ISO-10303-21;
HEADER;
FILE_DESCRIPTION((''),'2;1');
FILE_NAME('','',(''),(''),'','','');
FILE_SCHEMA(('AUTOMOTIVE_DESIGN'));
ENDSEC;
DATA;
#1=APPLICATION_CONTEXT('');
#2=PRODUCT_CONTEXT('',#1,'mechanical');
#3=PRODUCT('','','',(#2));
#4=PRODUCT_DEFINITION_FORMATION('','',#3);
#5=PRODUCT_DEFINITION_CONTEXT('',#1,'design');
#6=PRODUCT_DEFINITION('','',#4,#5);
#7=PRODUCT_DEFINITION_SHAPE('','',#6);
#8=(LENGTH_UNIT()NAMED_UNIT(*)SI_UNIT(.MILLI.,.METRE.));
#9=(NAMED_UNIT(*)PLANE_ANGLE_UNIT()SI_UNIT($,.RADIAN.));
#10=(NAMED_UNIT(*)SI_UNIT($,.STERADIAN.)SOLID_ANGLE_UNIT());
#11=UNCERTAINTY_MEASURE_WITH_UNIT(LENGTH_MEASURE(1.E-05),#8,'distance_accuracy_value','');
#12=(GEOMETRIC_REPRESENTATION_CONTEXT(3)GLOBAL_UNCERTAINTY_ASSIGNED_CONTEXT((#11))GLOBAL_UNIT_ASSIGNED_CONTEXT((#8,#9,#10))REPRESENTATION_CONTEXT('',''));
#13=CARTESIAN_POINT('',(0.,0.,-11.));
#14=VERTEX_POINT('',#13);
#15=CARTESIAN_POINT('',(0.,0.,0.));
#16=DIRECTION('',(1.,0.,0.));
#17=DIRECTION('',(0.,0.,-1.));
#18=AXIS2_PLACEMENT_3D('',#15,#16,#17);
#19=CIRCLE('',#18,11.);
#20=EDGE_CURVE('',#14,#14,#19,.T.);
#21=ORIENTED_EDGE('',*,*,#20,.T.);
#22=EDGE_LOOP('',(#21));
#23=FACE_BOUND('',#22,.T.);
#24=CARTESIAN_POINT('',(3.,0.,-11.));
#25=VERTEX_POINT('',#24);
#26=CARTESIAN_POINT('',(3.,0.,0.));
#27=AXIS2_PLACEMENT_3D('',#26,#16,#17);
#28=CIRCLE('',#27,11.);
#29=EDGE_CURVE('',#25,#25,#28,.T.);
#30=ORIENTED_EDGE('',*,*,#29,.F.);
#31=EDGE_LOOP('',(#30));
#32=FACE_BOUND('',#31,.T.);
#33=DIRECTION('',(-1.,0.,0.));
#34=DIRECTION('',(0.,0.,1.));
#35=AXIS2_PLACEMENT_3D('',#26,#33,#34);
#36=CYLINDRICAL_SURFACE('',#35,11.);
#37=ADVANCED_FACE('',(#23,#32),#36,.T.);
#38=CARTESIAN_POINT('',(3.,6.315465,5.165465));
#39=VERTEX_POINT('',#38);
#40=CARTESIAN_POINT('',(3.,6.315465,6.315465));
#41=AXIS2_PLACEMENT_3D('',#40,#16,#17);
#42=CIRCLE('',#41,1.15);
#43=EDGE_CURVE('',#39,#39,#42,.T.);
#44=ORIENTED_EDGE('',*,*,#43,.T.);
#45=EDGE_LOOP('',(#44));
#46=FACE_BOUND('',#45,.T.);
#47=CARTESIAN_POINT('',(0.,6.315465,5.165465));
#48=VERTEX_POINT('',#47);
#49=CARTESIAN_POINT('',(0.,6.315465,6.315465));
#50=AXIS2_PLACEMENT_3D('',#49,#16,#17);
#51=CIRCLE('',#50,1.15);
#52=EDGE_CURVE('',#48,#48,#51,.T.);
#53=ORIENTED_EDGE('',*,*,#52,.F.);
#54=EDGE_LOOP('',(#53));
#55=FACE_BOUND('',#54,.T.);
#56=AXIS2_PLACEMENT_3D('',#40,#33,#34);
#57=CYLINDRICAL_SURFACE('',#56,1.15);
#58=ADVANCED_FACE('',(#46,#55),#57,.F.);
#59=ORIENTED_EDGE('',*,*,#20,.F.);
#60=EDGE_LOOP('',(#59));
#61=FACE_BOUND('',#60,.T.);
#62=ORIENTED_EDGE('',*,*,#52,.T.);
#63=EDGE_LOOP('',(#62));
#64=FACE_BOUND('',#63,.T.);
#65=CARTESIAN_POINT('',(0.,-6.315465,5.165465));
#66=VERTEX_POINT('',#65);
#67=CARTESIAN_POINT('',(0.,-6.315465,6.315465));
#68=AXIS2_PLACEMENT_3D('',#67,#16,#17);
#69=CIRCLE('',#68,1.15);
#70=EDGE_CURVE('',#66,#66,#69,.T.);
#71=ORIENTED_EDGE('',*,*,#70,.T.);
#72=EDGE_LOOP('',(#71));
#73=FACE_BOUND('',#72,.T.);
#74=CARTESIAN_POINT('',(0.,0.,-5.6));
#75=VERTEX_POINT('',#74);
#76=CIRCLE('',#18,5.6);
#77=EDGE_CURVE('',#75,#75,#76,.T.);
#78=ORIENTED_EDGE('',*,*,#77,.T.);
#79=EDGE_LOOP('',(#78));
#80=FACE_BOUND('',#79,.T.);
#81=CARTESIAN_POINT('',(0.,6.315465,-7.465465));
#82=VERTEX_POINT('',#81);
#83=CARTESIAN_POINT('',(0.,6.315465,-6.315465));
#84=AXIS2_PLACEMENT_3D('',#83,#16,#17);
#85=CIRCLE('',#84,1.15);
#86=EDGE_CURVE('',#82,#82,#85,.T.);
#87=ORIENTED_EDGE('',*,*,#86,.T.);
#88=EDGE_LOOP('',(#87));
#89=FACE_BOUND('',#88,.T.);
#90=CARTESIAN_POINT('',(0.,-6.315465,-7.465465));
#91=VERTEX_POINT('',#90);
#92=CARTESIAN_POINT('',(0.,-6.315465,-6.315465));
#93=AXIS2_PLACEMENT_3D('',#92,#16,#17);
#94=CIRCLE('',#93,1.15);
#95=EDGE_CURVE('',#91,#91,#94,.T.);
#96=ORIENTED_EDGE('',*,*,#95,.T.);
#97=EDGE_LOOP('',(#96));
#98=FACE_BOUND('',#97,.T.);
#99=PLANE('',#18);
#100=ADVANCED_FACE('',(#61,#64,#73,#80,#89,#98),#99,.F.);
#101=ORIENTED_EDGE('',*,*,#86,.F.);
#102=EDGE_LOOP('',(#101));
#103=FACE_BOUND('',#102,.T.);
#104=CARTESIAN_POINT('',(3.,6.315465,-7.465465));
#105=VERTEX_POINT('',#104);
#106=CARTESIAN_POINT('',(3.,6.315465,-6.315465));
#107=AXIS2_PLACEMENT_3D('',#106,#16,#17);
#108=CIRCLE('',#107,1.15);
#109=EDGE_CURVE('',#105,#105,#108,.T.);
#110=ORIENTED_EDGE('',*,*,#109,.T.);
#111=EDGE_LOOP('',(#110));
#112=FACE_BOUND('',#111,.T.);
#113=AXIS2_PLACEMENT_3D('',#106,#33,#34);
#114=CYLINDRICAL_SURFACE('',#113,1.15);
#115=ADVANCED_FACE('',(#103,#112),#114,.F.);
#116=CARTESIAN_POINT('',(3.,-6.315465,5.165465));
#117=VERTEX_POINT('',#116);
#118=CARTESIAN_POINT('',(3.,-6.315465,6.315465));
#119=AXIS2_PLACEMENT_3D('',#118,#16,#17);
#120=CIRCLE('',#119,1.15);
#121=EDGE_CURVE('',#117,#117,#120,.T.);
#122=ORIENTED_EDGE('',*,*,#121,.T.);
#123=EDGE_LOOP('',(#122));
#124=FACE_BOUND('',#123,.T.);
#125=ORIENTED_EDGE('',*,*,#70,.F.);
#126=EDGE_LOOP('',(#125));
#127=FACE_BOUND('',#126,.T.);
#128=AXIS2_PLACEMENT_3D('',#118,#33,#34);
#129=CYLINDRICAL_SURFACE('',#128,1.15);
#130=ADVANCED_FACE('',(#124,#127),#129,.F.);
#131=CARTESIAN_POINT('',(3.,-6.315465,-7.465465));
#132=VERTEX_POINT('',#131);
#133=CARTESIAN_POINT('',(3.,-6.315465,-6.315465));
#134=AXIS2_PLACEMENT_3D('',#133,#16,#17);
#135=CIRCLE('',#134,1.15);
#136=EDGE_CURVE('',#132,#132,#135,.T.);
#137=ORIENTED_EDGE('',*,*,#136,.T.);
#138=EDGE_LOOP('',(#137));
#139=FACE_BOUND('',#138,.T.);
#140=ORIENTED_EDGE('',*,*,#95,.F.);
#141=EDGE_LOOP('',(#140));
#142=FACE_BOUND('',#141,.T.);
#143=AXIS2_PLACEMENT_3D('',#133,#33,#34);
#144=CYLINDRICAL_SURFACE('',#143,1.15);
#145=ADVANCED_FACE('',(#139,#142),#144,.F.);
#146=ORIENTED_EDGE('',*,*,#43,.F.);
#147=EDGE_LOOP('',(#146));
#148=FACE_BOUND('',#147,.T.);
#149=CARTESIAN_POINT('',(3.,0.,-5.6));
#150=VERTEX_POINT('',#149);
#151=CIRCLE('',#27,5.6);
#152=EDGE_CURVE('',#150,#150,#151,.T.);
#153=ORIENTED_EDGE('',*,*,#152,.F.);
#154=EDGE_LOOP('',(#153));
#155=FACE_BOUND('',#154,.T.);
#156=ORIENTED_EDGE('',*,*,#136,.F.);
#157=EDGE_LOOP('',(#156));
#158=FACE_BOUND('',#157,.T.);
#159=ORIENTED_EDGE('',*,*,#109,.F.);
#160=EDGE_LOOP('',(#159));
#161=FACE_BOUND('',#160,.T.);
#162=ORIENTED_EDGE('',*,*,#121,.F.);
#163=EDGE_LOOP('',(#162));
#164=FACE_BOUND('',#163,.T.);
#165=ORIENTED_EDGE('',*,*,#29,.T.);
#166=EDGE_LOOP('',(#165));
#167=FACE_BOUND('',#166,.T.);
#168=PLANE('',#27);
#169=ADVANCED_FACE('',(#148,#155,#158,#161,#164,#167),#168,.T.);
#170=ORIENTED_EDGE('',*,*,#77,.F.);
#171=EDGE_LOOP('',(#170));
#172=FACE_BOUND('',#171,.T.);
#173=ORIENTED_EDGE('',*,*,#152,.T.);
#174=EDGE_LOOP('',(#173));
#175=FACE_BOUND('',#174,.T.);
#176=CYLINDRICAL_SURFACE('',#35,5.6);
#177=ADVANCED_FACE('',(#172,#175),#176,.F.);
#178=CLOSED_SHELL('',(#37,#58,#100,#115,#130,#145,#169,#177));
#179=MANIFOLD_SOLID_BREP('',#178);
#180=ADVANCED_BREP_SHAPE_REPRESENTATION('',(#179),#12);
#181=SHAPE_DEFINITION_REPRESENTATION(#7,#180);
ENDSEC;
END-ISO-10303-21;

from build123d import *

# Parameters (mm, degrees)
SKETCH2_R           = 11
SKETCH2_R_2         = 5.6
BOSS_EXTRUDE1_DEPTH = 3
SKETCH3_R           = 1.15
CUT_EXTRUDE1_DEPTH  = 4


with BuildPart() as part:
    # Sketch2 → Boss-Extrude1 (new body)
    with BuildSketch(Plane(origin=(0, 0, 0), x_dir=(0, 0, -1), z_dir=(1, 0, 0))):
        Circle(SKETCH2_R)
        Circle(SKETCH2_R_2, mode=Mode.SUBTRACT)
    extrude(amount=BOSS_EXTRUDE1_DEPTH)

    # Sketch3 → Cut-Extrude1 (cut, through all)
    with BuildSketch(Plane(origin=(0, 0, 0), x_dir=(0, 0, -1), z_dir=(1, 0, 0))):
        with Locations((6.315465173, 6.315465173)):
            Circle(SKETCH3_R)
        with Locations((6.315465173, -6.315465173)):
            Circle(SKETCH3_R)
        with Locations((-6.315465173, -6.315465173)):
            Circle(SKETCH3_R)
        with Locations((-6.315465173, 6.315465173)):
            Circle(SKETCH3_R)
    extrude(amount=CUT_EXTRUDE1_DEPTH, mode=Mode.SUBTRACT)


solid = part.part
